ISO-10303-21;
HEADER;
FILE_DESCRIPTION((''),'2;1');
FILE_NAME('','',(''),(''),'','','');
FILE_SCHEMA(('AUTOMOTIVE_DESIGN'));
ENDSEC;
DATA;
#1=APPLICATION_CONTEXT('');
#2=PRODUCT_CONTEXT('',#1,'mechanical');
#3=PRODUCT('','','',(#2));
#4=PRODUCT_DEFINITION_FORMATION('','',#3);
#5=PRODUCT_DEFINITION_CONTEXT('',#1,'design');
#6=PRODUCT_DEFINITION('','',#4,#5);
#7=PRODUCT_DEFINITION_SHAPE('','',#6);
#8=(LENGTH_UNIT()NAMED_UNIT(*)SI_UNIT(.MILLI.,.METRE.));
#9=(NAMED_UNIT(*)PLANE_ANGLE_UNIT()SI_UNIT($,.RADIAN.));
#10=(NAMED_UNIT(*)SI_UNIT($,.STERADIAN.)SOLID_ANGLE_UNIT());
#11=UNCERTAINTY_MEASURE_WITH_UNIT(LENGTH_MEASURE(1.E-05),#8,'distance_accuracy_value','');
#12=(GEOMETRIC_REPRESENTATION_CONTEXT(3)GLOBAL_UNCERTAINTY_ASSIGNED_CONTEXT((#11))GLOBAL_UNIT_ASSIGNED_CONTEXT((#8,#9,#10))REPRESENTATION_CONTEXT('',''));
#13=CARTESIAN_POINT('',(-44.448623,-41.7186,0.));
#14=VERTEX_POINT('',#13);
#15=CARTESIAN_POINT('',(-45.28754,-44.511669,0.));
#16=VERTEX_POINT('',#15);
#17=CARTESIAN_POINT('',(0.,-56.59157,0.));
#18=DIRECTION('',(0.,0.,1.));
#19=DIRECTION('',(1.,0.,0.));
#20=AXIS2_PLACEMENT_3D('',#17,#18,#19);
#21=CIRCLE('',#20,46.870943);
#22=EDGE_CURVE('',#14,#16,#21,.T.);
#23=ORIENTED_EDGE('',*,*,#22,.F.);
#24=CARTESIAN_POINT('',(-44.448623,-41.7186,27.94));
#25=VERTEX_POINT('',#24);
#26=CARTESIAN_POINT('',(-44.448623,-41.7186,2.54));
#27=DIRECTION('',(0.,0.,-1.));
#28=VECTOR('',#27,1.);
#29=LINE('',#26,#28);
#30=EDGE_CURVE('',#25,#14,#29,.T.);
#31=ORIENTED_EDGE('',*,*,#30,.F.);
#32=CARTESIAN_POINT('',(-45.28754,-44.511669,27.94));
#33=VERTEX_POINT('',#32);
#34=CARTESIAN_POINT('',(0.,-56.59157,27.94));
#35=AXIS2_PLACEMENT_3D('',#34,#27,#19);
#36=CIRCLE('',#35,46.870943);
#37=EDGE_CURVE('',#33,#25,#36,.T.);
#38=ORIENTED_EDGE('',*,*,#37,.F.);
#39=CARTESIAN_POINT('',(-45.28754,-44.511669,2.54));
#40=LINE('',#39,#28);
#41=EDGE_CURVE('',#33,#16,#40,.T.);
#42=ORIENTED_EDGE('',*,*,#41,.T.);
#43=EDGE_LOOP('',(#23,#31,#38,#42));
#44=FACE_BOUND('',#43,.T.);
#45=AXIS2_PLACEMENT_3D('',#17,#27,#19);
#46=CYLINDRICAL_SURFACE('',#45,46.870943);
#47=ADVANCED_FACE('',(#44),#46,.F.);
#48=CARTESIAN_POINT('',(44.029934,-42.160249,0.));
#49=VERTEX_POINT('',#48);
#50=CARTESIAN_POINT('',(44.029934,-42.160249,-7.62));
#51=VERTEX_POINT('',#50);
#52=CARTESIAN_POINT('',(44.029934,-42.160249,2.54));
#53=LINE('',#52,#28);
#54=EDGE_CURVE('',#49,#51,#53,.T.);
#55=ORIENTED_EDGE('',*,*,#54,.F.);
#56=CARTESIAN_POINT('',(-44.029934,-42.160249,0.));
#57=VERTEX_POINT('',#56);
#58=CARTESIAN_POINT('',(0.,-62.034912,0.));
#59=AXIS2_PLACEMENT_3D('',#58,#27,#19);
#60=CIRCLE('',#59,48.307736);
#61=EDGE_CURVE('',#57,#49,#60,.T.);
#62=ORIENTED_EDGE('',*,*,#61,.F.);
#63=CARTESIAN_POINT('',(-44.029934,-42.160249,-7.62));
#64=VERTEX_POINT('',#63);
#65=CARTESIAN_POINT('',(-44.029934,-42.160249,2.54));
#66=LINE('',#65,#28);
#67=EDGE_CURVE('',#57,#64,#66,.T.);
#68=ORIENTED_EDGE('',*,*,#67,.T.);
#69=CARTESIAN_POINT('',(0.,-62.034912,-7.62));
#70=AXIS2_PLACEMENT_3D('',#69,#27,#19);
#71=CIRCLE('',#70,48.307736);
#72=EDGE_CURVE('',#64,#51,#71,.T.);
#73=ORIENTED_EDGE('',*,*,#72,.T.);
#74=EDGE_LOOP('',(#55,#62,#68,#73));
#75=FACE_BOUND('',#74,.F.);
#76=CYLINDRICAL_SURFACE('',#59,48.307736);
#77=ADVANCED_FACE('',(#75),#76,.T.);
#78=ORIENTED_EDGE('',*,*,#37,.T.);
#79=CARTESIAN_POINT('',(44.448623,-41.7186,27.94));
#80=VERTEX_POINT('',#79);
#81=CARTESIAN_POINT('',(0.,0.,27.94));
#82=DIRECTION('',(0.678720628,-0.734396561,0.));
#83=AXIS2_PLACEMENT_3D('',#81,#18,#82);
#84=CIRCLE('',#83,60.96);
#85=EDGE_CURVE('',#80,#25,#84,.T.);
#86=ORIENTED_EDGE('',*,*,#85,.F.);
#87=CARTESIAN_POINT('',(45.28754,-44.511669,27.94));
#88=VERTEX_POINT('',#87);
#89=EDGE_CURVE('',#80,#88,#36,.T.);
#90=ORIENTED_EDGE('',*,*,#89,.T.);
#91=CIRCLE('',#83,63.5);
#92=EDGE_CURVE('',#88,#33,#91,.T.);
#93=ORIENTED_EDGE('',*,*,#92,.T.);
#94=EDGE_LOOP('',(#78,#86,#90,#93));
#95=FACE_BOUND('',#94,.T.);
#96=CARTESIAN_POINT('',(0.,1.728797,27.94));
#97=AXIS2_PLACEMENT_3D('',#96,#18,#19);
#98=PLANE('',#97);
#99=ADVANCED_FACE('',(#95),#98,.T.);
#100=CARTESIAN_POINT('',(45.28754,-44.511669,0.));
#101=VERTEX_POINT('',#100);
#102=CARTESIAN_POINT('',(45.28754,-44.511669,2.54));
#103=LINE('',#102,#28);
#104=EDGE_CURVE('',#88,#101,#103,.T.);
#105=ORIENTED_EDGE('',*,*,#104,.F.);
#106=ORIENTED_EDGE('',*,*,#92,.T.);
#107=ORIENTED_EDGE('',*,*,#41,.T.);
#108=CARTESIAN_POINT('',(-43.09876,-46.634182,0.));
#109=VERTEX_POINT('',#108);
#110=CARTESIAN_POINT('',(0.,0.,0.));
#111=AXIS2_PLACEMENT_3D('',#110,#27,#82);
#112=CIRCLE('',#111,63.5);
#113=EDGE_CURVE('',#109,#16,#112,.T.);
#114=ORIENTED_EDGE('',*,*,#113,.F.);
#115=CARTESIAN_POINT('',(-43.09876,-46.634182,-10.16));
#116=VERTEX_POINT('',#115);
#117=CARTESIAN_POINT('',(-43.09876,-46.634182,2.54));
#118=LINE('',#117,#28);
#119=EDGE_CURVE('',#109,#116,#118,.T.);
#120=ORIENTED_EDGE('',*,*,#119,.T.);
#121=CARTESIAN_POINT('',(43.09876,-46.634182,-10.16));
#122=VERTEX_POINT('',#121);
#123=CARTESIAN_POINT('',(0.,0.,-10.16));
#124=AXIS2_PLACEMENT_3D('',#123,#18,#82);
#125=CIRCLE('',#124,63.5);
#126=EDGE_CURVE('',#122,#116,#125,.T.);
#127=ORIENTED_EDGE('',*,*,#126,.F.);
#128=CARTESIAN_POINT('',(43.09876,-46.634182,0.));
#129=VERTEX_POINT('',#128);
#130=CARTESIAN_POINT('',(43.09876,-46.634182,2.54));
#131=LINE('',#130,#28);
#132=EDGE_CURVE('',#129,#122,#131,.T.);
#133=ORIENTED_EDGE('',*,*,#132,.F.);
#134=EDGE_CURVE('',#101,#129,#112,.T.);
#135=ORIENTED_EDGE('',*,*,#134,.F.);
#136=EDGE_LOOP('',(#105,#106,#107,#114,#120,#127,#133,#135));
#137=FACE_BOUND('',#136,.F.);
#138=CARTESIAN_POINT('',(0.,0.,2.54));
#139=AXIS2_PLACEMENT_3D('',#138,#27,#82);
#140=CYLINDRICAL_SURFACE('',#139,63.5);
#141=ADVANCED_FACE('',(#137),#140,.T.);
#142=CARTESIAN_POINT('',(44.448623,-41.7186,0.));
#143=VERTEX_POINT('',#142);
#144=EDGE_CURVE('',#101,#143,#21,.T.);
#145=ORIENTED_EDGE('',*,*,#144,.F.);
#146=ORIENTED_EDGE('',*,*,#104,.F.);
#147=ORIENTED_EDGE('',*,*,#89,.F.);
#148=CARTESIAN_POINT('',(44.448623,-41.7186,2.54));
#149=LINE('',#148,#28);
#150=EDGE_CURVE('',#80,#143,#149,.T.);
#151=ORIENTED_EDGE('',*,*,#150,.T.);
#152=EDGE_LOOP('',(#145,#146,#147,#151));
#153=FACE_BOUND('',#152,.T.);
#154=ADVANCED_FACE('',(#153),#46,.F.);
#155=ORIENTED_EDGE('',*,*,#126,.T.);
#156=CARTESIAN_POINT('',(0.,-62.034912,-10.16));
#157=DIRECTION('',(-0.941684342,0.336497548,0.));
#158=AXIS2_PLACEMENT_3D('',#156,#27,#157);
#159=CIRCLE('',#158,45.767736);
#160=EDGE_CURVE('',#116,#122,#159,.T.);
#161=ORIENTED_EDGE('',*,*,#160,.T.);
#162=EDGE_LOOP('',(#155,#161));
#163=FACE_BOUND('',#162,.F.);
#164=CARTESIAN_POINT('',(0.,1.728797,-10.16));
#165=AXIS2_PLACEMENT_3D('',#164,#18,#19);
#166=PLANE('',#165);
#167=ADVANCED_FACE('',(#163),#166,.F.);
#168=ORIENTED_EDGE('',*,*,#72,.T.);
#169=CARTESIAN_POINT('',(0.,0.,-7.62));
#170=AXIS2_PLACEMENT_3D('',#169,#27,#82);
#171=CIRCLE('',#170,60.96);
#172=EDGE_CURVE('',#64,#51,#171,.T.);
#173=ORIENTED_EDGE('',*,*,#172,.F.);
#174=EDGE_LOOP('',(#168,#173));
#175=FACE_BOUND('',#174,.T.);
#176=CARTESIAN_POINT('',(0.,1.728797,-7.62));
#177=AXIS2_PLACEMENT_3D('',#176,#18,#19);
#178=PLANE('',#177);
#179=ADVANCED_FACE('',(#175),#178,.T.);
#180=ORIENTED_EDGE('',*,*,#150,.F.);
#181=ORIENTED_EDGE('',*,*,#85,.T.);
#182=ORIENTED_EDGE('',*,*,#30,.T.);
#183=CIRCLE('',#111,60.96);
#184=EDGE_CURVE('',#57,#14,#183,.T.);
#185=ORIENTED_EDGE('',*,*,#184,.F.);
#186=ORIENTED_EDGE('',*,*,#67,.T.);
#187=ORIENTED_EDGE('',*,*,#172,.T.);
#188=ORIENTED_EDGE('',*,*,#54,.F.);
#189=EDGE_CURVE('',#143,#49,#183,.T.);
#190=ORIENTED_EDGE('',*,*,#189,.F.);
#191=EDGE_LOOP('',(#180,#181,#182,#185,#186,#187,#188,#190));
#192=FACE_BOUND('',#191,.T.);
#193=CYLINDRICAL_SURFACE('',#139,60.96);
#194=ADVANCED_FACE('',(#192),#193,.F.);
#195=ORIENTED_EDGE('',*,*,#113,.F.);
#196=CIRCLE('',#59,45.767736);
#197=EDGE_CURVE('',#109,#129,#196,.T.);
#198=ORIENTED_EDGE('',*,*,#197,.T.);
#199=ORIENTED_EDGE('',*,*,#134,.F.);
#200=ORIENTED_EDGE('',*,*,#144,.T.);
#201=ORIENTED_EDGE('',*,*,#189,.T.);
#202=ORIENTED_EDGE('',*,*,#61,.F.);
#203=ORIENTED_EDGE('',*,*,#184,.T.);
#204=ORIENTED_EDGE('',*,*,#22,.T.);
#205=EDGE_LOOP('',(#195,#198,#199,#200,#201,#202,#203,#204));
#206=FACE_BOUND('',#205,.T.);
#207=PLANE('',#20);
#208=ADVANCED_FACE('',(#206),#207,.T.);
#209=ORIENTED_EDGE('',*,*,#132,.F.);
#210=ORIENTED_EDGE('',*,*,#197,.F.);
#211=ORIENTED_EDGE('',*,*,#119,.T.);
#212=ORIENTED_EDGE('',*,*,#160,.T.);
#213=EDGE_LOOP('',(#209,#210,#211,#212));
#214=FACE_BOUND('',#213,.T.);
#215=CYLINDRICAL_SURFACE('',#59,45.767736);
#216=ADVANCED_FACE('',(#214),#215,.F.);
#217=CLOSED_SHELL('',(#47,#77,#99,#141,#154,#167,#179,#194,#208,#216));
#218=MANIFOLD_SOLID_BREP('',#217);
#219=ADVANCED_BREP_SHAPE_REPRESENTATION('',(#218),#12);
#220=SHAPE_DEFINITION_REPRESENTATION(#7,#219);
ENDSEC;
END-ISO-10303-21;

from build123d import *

# Parameters (mm, degrees)
F0_R     = 63.5
F1_DEPTH = 2.54
F2_R     = 45.7677355117
F3_DEPTH = 25.4
F4_DEPTH = 12.7
F5_DEPTH = 25.4
F6_T     = -2.54
F8_R     = 46.8709431216
F9_DEPTH = 177.8


with BuildPart() as f1:
    # F0 (on Top) → F1 (new body)
    with BuildSketch(Plane.XY):
        Circle(F0_R)
    extrude(amount=F1_DEPTH)

    # F2 (on Top) → F3 (cut)
    with BuildSketch(Plane.XY):
        with Locations((0, -62.0349124074)):
            Circle(F2_R)
    extrude(amount=F3_DEPTH, mode=Mode.SUBTRACT)

    # F1_face (on face) → F4 (join)
    with BuildSketch(Plane(origin=(0, 12.1231613089, 2.54), x_dir=(1, 0, 0), z_dir=(0, 0, 1))):
        with BuildLine():
            ThreePointArc((-43.0987599006, -58.7573429253), (0, -28.3903382046), (43.0987599006, -58.7573429253))
            ThreePointArc((43.0987599006, -58.7573429253), (0, 51.3768386911), (-43.0987599006, -58.7573429253))
        make_face()
    extrude(amount=-F4_DEPTH)

    # F1_face (on face) → F5 (join)
    with BuildSketch(Plane(origin=(0, 12.1231613089, 2.54), x_dir=(1, 0, 0), z_dir=(0, 0, 1))):
        with BuildLine():
            ThreePointArc((-43.0987599006, -58.7573429253), (0, -28.3903382046), (43.0987599006, -58.7573429253))
            ThreePointArc((43.0987599006, -58.7573429253), (0, 51.3768386911), (-43.0987599006, -58.7573429253))
        make_face()
    extrude(amount=F5_DEPTH)

    # F6
    f6_openings = [f1.faces().sort_by_distance(p)[0] for p in [
        (0, 12.123161, 27.94),
    ]]
    offset(amount=F6_T, openings=f6_openings)

    # F8 (on face) → F9 (cut)
    with BuildSketch(Plane.XY):
        with Locations((0, -56.5915703773)):
            Circle(F8_R)
    extrude(amount=F9_DEPTH, mode=Mode.SUBTRACT)


solid = f1.part
